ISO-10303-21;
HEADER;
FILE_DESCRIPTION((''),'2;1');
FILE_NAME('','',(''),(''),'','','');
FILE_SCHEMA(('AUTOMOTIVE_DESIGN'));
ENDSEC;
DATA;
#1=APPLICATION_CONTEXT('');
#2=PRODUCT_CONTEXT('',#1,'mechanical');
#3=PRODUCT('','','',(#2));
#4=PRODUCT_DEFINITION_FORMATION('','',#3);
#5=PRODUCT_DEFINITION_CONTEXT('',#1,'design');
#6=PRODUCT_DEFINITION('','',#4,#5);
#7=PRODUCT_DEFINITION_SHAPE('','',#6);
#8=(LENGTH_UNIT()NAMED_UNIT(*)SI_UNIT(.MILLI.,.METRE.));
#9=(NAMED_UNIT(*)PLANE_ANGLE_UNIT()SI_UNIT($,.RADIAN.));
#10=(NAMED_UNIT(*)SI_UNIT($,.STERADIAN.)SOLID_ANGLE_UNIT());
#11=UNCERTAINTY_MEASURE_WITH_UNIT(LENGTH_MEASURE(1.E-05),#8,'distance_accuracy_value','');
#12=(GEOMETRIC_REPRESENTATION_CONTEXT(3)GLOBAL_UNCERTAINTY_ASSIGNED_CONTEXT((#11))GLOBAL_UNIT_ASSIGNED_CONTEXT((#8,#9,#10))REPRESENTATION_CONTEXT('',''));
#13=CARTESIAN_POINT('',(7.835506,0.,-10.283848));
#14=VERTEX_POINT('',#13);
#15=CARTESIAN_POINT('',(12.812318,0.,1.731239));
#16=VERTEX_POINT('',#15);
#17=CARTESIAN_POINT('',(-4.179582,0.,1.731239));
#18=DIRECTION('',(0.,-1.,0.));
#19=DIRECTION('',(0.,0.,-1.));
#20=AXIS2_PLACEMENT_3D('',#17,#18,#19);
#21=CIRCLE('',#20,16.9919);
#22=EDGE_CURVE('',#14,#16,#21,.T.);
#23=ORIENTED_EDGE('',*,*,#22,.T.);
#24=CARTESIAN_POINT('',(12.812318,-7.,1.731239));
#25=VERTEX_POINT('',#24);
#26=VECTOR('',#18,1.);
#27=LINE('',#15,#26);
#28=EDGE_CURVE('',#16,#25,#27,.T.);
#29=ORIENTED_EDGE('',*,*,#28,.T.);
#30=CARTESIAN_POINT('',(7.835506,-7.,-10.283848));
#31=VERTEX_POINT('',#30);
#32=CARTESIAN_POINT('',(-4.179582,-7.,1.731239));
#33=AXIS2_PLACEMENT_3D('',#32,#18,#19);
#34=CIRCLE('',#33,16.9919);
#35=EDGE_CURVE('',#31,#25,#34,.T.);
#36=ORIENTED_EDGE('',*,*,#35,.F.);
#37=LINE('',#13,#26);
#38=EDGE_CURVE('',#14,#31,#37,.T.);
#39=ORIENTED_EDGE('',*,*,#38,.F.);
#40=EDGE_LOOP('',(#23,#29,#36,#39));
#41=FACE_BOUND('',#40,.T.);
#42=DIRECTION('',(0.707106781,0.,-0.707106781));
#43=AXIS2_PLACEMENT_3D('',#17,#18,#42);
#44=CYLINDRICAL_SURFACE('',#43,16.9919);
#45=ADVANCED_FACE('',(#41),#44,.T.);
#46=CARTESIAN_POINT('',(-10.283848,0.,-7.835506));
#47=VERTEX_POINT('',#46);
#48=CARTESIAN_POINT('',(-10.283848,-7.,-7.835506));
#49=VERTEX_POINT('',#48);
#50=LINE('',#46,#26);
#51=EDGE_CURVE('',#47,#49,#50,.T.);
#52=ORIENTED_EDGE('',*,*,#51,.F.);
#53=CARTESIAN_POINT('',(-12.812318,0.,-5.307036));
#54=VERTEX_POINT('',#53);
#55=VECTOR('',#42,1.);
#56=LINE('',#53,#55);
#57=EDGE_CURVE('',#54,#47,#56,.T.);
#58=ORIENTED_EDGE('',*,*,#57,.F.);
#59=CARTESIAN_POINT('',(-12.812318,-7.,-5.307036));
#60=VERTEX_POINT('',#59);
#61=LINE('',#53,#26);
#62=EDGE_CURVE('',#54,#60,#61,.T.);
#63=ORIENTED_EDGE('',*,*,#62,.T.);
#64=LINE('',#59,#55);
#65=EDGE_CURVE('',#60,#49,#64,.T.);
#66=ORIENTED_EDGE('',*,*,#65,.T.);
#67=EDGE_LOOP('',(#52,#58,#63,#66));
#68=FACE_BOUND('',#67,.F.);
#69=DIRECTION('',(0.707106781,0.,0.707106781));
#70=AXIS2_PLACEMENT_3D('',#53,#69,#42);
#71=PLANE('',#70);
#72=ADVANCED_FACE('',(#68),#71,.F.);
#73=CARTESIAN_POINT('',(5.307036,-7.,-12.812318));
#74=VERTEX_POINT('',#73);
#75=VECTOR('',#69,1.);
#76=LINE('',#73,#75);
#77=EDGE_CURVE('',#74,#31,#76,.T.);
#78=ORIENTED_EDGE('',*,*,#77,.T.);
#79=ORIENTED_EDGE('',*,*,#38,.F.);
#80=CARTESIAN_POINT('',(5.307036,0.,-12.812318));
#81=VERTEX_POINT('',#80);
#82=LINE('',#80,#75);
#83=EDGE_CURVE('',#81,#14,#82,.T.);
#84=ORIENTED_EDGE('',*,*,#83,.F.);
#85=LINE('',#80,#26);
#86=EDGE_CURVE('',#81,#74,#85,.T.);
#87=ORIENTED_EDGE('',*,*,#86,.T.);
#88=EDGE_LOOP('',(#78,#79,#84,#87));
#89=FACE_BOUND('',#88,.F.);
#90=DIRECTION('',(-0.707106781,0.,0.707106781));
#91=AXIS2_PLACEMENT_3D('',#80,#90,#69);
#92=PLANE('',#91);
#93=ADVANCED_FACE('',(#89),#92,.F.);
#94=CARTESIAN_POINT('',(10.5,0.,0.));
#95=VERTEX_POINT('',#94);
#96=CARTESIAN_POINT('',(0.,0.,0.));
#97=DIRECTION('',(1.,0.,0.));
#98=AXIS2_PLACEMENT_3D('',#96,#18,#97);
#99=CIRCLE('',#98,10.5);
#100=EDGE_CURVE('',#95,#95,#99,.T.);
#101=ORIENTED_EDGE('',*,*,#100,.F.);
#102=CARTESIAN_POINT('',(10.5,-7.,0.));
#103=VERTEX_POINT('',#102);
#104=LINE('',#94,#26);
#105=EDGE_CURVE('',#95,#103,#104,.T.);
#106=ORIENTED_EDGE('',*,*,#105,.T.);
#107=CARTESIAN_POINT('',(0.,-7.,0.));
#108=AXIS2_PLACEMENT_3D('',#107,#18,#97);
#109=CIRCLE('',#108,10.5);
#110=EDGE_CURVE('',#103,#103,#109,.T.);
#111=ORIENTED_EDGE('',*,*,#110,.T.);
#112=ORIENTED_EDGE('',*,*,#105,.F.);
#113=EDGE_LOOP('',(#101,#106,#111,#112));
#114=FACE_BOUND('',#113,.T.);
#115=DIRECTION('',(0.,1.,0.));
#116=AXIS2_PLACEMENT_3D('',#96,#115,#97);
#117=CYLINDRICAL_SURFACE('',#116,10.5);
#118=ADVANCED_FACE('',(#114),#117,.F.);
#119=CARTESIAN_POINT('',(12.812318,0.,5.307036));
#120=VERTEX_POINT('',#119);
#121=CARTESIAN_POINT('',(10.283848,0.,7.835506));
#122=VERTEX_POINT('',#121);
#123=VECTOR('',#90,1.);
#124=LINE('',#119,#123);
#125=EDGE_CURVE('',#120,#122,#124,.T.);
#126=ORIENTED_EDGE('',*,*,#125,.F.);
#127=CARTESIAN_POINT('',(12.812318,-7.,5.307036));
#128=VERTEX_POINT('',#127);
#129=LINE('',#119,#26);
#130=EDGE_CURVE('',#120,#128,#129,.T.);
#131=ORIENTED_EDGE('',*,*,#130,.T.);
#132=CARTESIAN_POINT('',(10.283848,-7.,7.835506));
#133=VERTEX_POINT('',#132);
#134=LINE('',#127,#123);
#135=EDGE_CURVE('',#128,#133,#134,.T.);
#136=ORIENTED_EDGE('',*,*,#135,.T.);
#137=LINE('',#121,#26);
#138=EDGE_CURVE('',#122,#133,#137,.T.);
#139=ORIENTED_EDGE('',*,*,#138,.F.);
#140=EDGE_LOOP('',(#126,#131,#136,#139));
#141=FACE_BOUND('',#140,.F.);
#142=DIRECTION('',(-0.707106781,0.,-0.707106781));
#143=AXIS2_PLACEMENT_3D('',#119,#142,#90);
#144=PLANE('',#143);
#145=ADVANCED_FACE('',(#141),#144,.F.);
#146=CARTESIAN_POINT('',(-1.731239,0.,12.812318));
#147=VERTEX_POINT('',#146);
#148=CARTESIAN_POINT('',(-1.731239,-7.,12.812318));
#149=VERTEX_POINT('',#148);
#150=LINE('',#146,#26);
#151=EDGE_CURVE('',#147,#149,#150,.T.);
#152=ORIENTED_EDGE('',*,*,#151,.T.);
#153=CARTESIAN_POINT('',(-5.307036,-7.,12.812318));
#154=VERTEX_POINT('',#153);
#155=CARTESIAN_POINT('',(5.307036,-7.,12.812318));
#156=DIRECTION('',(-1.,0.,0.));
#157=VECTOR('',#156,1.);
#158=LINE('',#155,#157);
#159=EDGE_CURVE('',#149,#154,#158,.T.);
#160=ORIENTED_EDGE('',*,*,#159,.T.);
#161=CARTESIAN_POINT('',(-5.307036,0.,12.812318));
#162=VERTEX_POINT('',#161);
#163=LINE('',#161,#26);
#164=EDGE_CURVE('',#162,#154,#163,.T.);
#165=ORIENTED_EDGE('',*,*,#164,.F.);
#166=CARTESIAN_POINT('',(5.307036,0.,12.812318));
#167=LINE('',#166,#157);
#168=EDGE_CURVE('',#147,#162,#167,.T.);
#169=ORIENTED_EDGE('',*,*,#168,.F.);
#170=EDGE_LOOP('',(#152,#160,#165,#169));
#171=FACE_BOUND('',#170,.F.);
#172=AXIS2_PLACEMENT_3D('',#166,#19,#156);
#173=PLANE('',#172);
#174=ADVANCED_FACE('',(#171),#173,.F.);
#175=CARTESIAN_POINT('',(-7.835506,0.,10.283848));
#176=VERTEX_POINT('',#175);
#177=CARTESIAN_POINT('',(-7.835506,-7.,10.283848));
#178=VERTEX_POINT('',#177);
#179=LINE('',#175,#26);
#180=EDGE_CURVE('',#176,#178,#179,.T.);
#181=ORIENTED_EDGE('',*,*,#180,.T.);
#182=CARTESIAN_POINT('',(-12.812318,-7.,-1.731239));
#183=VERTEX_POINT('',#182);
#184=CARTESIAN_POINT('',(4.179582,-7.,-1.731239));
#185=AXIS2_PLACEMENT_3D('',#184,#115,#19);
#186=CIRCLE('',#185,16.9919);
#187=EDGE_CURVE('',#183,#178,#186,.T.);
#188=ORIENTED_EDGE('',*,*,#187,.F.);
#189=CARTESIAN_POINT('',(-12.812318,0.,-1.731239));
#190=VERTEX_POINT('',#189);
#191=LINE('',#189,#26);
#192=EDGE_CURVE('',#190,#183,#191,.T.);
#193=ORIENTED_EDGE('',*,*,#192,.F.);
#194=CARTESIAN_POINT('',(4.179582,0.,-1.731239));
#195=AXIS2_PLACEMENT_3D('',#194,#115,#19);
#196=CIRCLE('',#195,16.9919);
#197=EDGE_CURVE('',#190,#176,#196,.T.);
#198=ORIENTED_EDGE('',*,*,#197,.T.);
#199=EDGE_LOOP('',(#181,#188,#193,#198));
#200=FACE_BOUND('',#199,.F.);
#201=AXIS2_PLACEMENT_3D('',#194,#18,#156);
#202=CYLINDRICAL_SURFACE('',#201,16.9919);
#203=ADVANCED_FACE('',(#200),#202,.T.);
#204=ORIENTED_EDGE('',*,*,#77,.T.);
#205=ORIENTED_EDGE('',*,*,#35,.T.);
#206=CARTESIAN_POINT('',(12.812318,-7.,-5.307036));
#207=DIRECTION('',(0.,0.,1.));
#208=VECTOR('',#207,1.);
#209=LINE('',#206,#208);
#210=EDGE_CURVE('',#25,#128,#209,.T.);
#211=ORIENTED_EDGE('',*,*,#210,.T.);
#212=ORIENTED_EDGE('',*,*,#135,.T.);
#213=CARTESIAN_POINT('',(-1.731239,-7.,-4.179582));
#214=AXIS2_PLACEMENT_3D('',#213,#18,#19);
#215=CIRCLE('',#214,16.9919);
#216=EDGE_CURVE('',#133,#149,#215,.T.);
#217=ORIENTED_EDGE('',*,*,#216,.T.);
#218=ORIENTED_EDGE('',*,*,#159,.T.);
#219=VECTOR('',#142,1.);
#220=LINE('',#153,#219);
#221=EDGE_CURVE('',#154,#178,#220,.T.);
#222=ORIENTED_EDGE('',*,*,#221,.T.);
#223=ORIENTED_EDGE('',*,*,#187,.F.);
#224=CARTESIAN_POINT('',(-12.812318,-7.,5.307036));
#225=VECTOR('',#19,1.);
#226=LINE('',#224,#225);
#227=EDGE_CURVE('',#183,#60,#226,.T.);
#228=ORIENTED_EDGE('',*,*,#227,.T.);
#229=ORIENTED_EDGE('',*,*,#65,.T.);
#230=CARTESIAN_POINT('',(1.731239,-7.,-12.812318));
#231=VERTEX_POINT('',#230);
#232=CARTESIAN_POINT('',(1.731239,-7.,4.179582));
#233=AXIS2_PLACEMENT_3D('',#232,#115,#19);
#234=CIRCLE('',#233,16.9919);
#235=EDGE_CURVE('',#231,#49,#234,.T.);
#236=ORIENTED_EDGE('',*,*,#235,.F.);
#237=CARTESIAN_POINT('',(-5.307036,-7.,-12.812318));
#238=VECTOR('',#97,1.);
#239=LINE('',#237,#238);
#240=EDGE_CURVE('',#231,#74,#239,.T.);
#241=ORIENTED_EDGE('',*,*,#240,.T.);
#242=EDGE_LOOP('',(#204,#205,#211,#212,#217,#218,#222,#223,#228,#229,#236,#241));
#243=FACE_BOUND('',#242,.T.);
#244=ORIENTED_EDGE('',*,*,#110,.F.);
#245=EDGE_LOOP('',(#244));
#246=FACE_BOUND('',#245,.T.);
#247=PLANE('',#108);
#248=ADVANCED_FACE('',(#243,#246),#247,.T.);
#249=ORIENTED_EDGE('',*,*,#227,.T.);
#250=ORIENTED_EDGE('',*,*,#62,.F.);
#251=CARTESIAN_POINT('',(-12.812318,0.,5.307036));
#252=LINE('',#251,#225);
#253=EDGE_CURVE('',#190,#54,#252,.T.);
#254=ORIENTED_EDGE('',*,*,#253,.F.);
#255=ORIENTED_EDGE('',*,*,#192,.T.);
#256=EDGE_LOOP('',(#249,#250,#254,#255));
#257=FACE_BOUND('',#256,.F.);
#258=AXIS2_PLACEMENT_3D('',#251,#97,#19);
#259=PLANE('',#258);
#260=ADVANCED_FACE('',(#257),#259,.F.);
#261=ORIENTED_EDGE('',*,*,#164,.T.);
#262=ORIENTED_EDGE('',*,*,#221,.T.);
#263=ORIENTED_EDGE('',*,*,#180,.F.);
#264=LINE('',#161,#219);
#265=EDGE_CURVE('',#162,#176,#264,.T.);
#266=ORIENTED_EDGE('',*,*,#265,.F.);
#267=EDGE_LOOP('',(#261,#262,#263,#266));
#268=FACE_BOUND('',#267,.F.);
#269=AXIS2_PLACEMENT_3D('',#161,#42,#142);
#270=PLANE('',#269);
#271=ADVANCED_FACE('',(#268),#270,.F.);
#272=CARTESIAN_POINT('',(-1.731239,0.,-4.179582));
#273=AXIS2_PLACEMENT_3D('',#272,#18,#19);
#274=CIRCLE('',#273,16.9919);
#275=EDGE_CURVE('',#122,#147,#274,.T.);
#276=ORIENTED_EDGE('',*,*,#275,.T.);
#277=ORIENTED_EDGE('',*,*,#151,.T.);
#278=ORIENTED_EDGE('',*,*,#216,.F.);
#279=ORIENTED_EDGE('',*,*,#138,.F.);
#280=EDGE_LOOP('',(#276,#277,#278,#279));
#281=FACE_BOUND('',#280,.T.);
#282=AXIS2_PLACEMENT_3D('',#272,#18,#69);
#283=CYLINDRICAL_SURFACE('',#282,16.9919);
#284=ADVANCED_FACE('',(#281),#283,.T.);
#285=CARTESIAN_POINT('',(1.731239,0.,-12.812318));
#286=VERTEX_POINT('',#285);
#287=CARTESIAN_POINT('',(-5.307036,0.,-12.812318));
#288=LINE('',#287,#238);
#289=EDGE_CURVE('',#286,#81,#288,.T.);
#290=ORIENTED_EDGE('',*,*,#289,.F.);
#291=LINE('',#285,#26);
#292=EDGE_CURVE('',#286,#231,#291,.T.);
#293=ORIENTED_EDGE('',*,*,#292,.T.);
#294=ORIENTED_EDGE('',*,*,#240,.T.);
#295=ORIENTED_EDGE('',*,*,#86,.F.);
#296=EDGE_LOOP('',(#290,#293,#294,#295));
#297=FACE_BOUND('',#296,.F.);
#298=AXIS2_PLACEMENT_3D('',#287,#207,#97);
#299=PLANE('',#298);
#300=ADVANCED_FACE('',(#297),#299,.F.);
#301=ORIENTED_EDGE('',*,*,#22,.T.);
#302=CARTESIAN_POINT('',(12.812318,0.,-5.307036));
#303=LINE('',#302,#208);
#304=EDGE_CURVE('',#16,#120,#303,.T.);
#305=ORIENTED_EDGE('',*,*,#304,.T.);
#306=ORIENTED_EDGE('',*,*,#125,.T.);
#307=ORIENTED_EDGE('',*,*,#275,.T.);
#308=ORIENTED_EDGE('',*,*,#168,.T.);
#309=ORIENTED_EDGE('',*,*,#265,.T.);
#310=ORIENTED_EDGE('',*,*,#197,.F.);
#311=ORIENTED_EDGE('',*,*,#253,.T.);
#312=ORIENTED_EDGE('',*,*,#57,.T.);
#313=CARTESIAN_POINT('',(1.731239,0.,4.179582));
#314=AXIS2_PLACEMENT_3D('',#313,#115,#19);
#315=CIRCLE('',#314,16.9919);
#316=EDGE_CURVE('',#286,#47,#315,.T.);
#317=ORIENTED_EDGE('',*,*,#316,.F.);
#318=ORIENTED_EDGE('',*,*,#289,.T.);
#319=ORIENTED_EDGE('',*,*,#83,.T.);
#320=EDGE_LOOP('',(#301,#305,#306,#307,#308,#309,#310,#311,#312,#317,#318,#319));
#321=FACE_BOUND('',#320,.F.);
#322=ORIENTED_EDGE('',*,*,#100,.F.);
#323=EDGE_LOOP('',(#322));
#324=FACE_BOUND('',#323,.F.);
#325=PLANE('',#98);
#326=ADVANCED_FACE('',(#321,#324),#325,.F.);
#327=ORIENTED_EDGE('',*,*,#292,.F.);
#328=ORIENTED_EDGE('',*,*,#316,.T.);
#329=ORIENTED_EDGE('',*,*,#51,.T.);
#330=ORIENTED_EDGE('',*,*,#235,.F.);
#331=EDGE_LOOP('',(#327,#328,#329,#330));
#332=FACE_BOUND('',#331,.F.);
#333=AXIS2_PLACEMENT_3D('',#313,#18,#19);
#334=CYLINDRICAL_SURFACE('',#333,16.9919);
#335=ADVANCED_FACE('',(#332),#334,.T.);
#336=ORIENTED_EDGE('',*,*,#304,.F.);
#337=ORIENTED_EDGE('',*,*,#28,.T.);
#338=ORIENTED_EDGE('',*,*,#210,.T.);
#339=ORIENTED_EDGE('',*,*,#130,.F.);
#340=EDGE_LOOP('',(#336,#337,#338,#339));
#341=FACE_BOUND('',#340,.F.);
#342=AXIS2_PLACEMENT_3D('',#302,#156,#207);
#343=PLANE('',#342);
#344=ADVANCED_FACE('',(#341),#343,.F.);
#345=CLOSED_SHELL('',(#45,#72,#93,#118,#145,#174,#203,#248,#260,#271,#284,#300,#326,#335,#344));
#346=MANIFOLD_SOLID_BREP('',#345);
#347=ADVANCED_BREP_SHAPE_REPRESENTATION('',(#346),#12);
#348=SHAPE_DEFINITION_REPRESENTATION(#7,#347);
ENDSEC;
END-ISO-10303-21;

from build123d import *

# Parameters (mm, degrees)
F0_R     = 10.5
F1_DEPTH = 7
F2_R     = 16.9919


with BuildPart() as f1:
    # F0 (on Front) → F1 (new body)
    with BuildSketch(Plane.XZ):
        Polygon((-5.307036, -12.812318), (5.307036, -12.812318), (12.812318, -5.307036), (12.812318, 5.307036), (5.307036, 12.812318), (-5.307036, 12.812318), (-12.812318, 5.307036), (-12.812318, -5.307036), align=None)
        Circle(F0_R, mode=Mode.SUBTRACT)
    extrude(amount=F1_DEPTH)

    # F2
    f2_edges = [f1.edges().sort_by_distance(p)[0] for p in [
        (-12.812318, -3.5, 5.307036),
        (5.307036, -3.5, 12.812318),
        (12.812318, -3.5, -5.307036),
        (-5.307036, -3.5, -12.812318),
    ]]
    fillet(f2_edges, radius=F2_R)


solid = f1.part
